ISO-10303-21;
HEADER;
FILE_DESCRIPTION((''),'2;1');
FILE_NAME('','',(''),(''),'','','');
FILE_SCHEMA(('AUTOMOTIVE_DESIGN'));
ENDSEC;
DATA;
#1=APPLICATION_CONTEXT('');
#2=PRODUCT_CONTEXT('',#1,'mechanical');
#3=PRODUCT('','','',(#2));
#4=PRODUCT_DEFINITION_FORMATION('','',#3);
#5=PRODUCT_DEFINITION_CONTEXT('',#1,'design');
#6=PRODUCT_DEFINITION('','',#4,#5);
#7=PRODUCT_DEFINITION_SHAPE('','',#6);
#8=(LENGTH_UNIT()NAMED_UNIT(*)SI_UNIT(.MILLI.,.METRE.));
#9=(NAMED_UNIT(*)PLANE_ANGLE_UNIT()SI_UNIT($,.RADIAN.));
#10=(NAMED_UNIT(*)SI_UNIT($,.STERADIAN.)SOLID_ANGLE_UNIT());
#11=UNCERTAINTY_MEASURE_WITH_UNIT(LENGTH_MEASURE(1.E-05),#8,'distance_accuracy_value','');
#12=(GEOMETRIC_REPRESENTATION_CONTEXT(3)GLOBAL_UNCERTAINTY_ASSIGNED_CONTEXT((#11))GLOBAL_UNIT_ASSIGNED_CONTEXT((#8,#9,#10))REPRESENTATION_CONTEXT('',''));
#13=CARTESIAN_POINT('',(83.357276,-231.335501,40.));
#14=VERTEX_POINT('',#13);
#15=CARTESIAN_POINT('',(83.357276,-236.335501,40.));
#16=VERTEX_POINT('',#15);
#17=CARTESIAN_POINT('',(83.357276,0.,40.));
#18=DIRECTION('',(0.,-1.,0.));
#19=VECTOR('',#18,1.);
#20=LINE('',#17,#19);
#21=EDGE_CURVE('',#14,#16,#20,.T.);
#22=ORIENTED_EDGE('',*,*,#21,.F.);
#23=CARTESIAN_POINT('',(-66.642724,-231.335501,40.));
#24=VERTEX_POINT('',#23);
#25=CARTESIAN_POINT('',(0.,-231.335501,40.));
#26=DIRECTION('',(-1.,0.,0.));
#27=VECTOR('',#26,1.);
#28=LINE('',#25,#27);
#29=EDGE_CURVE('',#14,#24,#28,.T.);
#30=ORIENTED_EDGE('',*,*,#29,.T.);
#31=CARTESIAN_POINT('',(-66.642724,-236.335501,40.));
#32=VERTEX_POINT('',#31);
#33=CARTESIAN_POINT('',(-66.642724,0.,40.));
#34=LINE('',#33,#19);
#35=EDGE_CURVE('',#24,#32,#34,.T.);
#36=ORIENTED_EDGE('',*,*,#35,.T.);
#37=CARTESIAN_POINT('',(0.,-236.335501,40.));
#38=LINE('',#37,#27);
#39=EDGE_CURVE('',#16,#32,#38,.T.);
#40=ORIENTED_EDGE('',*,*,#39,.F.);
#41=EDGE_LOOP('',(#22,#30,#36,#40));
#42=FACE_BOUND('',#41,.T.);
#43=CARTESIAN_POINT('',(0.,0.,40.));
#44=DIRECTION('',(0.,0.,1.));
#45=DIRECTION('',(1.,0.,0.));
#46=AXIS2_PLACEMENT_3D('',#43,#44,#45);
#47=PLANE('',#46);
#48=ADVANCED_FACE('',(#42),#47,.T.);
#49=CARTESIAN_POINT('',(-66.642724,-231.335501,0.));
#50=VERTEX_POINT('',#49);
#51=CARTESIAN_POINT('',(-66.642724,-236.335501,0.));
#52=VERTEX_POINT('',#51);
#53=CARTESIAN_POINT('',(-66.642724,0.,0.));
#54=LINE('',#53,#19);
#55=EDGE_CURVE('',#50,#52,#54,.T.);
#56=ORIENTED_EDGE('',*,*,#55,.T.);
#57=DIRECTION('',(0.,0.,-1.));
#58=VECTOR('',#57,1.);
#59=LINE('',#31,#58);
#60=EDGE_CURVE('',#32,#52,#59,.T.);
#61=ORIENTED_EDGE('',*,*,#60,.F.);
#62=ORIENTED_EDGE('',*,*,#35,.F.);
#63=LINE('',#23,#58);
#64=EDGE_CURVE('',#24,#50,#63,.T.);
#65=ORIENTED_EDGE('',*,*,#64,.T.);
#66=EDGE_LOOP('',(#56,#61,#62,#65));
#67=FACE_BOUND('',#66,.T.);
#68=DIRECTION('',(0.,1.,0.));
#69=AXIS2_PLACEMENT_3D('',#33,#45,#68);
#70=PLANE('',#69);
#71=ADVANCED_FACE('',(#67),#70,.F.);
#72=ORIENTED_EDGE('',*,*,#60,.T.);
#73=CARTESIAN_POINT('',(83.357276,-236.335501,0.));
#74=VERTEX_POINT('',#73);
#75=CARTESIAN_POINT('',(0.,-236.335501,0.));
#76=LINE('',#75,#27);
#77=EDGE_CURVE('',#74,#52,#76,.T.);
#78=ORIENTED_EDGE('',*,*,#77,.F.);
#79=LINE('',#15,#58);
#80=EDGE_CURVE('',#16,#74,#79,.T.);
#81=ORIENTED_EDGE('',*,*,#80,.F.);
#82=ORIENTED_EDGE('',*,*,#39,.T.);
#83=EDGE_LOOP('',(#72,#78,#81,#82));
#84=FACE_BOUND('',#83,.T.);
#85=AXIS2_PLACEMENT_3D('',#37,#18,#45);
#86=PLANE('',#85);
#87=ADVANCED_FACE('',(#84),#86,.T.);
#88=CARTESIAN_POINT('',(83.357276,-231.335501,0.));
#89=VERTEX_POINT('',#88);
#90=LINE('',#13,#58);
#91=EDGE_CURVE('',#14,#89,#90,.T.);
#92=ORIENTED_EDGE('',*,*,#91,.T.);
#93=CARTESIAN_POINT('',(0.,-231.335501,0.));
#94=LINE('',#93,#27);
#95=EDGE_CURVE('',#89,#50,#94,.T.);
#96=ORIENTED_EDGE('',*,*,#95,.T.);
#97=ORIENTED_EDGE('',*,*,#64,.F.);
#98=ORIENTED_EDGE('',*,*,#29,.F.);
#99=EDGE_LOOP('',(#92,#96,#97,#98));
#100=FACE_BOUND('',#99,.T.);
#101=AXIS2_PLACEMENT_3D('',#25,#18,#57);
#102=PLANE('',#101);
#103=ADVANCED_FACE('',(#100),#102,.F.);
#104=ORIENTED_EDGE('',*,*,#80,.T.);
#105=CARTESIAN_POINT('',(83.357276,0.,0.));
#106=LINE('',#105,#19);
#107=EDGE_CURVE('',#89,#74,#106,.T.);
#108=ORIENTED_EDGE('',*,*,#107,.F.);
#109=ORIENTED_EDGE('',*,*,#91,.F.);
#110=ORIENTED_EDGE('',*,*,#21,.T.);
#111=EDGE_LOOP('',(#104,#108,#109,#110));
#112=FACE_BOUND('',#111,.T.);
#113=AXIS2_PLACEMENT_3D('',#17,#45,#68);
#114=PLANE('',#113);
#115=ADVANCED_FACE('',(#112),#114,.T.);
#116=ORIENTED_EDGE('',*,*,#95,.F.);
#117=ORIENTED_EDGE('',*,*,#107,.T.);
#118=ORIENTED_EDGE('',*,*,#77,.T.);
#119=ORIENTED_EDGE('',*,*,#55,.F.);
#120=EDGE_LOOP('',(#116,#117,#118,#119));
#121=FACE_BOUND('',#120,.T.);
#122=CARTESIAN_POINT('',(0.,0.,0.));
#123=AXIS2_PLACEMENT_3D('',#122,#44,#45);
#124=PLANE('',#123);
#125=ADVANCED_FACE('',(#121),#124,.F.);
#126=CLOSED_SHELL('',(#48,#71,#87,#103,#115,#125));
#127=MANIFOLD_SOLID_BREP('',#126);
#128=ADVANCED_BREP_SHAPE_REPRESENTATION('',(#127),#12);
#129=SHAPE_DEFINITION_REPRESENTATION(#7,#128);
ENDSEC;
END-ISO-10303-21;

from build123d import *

# Parameters (mm, degrees)
ESBO_O7_W                = 150
ESBO_O7_H                = 5
RESSALTO_EXTRUS_O2_DEPTH = 40


with BuildPart() as part:
    # Esboço7 → Ressalto-extrusão2 (new body)
    with BuildSketch(Plane.XY):
        with Locations((8.35727616, -233.835501283)):
            Rectangle(ESBO_O7_W, ESBO_O7_H)
    extrude(amount=RESSALTO_EXTRUS_O2_DEPTH)


solid = part.part
